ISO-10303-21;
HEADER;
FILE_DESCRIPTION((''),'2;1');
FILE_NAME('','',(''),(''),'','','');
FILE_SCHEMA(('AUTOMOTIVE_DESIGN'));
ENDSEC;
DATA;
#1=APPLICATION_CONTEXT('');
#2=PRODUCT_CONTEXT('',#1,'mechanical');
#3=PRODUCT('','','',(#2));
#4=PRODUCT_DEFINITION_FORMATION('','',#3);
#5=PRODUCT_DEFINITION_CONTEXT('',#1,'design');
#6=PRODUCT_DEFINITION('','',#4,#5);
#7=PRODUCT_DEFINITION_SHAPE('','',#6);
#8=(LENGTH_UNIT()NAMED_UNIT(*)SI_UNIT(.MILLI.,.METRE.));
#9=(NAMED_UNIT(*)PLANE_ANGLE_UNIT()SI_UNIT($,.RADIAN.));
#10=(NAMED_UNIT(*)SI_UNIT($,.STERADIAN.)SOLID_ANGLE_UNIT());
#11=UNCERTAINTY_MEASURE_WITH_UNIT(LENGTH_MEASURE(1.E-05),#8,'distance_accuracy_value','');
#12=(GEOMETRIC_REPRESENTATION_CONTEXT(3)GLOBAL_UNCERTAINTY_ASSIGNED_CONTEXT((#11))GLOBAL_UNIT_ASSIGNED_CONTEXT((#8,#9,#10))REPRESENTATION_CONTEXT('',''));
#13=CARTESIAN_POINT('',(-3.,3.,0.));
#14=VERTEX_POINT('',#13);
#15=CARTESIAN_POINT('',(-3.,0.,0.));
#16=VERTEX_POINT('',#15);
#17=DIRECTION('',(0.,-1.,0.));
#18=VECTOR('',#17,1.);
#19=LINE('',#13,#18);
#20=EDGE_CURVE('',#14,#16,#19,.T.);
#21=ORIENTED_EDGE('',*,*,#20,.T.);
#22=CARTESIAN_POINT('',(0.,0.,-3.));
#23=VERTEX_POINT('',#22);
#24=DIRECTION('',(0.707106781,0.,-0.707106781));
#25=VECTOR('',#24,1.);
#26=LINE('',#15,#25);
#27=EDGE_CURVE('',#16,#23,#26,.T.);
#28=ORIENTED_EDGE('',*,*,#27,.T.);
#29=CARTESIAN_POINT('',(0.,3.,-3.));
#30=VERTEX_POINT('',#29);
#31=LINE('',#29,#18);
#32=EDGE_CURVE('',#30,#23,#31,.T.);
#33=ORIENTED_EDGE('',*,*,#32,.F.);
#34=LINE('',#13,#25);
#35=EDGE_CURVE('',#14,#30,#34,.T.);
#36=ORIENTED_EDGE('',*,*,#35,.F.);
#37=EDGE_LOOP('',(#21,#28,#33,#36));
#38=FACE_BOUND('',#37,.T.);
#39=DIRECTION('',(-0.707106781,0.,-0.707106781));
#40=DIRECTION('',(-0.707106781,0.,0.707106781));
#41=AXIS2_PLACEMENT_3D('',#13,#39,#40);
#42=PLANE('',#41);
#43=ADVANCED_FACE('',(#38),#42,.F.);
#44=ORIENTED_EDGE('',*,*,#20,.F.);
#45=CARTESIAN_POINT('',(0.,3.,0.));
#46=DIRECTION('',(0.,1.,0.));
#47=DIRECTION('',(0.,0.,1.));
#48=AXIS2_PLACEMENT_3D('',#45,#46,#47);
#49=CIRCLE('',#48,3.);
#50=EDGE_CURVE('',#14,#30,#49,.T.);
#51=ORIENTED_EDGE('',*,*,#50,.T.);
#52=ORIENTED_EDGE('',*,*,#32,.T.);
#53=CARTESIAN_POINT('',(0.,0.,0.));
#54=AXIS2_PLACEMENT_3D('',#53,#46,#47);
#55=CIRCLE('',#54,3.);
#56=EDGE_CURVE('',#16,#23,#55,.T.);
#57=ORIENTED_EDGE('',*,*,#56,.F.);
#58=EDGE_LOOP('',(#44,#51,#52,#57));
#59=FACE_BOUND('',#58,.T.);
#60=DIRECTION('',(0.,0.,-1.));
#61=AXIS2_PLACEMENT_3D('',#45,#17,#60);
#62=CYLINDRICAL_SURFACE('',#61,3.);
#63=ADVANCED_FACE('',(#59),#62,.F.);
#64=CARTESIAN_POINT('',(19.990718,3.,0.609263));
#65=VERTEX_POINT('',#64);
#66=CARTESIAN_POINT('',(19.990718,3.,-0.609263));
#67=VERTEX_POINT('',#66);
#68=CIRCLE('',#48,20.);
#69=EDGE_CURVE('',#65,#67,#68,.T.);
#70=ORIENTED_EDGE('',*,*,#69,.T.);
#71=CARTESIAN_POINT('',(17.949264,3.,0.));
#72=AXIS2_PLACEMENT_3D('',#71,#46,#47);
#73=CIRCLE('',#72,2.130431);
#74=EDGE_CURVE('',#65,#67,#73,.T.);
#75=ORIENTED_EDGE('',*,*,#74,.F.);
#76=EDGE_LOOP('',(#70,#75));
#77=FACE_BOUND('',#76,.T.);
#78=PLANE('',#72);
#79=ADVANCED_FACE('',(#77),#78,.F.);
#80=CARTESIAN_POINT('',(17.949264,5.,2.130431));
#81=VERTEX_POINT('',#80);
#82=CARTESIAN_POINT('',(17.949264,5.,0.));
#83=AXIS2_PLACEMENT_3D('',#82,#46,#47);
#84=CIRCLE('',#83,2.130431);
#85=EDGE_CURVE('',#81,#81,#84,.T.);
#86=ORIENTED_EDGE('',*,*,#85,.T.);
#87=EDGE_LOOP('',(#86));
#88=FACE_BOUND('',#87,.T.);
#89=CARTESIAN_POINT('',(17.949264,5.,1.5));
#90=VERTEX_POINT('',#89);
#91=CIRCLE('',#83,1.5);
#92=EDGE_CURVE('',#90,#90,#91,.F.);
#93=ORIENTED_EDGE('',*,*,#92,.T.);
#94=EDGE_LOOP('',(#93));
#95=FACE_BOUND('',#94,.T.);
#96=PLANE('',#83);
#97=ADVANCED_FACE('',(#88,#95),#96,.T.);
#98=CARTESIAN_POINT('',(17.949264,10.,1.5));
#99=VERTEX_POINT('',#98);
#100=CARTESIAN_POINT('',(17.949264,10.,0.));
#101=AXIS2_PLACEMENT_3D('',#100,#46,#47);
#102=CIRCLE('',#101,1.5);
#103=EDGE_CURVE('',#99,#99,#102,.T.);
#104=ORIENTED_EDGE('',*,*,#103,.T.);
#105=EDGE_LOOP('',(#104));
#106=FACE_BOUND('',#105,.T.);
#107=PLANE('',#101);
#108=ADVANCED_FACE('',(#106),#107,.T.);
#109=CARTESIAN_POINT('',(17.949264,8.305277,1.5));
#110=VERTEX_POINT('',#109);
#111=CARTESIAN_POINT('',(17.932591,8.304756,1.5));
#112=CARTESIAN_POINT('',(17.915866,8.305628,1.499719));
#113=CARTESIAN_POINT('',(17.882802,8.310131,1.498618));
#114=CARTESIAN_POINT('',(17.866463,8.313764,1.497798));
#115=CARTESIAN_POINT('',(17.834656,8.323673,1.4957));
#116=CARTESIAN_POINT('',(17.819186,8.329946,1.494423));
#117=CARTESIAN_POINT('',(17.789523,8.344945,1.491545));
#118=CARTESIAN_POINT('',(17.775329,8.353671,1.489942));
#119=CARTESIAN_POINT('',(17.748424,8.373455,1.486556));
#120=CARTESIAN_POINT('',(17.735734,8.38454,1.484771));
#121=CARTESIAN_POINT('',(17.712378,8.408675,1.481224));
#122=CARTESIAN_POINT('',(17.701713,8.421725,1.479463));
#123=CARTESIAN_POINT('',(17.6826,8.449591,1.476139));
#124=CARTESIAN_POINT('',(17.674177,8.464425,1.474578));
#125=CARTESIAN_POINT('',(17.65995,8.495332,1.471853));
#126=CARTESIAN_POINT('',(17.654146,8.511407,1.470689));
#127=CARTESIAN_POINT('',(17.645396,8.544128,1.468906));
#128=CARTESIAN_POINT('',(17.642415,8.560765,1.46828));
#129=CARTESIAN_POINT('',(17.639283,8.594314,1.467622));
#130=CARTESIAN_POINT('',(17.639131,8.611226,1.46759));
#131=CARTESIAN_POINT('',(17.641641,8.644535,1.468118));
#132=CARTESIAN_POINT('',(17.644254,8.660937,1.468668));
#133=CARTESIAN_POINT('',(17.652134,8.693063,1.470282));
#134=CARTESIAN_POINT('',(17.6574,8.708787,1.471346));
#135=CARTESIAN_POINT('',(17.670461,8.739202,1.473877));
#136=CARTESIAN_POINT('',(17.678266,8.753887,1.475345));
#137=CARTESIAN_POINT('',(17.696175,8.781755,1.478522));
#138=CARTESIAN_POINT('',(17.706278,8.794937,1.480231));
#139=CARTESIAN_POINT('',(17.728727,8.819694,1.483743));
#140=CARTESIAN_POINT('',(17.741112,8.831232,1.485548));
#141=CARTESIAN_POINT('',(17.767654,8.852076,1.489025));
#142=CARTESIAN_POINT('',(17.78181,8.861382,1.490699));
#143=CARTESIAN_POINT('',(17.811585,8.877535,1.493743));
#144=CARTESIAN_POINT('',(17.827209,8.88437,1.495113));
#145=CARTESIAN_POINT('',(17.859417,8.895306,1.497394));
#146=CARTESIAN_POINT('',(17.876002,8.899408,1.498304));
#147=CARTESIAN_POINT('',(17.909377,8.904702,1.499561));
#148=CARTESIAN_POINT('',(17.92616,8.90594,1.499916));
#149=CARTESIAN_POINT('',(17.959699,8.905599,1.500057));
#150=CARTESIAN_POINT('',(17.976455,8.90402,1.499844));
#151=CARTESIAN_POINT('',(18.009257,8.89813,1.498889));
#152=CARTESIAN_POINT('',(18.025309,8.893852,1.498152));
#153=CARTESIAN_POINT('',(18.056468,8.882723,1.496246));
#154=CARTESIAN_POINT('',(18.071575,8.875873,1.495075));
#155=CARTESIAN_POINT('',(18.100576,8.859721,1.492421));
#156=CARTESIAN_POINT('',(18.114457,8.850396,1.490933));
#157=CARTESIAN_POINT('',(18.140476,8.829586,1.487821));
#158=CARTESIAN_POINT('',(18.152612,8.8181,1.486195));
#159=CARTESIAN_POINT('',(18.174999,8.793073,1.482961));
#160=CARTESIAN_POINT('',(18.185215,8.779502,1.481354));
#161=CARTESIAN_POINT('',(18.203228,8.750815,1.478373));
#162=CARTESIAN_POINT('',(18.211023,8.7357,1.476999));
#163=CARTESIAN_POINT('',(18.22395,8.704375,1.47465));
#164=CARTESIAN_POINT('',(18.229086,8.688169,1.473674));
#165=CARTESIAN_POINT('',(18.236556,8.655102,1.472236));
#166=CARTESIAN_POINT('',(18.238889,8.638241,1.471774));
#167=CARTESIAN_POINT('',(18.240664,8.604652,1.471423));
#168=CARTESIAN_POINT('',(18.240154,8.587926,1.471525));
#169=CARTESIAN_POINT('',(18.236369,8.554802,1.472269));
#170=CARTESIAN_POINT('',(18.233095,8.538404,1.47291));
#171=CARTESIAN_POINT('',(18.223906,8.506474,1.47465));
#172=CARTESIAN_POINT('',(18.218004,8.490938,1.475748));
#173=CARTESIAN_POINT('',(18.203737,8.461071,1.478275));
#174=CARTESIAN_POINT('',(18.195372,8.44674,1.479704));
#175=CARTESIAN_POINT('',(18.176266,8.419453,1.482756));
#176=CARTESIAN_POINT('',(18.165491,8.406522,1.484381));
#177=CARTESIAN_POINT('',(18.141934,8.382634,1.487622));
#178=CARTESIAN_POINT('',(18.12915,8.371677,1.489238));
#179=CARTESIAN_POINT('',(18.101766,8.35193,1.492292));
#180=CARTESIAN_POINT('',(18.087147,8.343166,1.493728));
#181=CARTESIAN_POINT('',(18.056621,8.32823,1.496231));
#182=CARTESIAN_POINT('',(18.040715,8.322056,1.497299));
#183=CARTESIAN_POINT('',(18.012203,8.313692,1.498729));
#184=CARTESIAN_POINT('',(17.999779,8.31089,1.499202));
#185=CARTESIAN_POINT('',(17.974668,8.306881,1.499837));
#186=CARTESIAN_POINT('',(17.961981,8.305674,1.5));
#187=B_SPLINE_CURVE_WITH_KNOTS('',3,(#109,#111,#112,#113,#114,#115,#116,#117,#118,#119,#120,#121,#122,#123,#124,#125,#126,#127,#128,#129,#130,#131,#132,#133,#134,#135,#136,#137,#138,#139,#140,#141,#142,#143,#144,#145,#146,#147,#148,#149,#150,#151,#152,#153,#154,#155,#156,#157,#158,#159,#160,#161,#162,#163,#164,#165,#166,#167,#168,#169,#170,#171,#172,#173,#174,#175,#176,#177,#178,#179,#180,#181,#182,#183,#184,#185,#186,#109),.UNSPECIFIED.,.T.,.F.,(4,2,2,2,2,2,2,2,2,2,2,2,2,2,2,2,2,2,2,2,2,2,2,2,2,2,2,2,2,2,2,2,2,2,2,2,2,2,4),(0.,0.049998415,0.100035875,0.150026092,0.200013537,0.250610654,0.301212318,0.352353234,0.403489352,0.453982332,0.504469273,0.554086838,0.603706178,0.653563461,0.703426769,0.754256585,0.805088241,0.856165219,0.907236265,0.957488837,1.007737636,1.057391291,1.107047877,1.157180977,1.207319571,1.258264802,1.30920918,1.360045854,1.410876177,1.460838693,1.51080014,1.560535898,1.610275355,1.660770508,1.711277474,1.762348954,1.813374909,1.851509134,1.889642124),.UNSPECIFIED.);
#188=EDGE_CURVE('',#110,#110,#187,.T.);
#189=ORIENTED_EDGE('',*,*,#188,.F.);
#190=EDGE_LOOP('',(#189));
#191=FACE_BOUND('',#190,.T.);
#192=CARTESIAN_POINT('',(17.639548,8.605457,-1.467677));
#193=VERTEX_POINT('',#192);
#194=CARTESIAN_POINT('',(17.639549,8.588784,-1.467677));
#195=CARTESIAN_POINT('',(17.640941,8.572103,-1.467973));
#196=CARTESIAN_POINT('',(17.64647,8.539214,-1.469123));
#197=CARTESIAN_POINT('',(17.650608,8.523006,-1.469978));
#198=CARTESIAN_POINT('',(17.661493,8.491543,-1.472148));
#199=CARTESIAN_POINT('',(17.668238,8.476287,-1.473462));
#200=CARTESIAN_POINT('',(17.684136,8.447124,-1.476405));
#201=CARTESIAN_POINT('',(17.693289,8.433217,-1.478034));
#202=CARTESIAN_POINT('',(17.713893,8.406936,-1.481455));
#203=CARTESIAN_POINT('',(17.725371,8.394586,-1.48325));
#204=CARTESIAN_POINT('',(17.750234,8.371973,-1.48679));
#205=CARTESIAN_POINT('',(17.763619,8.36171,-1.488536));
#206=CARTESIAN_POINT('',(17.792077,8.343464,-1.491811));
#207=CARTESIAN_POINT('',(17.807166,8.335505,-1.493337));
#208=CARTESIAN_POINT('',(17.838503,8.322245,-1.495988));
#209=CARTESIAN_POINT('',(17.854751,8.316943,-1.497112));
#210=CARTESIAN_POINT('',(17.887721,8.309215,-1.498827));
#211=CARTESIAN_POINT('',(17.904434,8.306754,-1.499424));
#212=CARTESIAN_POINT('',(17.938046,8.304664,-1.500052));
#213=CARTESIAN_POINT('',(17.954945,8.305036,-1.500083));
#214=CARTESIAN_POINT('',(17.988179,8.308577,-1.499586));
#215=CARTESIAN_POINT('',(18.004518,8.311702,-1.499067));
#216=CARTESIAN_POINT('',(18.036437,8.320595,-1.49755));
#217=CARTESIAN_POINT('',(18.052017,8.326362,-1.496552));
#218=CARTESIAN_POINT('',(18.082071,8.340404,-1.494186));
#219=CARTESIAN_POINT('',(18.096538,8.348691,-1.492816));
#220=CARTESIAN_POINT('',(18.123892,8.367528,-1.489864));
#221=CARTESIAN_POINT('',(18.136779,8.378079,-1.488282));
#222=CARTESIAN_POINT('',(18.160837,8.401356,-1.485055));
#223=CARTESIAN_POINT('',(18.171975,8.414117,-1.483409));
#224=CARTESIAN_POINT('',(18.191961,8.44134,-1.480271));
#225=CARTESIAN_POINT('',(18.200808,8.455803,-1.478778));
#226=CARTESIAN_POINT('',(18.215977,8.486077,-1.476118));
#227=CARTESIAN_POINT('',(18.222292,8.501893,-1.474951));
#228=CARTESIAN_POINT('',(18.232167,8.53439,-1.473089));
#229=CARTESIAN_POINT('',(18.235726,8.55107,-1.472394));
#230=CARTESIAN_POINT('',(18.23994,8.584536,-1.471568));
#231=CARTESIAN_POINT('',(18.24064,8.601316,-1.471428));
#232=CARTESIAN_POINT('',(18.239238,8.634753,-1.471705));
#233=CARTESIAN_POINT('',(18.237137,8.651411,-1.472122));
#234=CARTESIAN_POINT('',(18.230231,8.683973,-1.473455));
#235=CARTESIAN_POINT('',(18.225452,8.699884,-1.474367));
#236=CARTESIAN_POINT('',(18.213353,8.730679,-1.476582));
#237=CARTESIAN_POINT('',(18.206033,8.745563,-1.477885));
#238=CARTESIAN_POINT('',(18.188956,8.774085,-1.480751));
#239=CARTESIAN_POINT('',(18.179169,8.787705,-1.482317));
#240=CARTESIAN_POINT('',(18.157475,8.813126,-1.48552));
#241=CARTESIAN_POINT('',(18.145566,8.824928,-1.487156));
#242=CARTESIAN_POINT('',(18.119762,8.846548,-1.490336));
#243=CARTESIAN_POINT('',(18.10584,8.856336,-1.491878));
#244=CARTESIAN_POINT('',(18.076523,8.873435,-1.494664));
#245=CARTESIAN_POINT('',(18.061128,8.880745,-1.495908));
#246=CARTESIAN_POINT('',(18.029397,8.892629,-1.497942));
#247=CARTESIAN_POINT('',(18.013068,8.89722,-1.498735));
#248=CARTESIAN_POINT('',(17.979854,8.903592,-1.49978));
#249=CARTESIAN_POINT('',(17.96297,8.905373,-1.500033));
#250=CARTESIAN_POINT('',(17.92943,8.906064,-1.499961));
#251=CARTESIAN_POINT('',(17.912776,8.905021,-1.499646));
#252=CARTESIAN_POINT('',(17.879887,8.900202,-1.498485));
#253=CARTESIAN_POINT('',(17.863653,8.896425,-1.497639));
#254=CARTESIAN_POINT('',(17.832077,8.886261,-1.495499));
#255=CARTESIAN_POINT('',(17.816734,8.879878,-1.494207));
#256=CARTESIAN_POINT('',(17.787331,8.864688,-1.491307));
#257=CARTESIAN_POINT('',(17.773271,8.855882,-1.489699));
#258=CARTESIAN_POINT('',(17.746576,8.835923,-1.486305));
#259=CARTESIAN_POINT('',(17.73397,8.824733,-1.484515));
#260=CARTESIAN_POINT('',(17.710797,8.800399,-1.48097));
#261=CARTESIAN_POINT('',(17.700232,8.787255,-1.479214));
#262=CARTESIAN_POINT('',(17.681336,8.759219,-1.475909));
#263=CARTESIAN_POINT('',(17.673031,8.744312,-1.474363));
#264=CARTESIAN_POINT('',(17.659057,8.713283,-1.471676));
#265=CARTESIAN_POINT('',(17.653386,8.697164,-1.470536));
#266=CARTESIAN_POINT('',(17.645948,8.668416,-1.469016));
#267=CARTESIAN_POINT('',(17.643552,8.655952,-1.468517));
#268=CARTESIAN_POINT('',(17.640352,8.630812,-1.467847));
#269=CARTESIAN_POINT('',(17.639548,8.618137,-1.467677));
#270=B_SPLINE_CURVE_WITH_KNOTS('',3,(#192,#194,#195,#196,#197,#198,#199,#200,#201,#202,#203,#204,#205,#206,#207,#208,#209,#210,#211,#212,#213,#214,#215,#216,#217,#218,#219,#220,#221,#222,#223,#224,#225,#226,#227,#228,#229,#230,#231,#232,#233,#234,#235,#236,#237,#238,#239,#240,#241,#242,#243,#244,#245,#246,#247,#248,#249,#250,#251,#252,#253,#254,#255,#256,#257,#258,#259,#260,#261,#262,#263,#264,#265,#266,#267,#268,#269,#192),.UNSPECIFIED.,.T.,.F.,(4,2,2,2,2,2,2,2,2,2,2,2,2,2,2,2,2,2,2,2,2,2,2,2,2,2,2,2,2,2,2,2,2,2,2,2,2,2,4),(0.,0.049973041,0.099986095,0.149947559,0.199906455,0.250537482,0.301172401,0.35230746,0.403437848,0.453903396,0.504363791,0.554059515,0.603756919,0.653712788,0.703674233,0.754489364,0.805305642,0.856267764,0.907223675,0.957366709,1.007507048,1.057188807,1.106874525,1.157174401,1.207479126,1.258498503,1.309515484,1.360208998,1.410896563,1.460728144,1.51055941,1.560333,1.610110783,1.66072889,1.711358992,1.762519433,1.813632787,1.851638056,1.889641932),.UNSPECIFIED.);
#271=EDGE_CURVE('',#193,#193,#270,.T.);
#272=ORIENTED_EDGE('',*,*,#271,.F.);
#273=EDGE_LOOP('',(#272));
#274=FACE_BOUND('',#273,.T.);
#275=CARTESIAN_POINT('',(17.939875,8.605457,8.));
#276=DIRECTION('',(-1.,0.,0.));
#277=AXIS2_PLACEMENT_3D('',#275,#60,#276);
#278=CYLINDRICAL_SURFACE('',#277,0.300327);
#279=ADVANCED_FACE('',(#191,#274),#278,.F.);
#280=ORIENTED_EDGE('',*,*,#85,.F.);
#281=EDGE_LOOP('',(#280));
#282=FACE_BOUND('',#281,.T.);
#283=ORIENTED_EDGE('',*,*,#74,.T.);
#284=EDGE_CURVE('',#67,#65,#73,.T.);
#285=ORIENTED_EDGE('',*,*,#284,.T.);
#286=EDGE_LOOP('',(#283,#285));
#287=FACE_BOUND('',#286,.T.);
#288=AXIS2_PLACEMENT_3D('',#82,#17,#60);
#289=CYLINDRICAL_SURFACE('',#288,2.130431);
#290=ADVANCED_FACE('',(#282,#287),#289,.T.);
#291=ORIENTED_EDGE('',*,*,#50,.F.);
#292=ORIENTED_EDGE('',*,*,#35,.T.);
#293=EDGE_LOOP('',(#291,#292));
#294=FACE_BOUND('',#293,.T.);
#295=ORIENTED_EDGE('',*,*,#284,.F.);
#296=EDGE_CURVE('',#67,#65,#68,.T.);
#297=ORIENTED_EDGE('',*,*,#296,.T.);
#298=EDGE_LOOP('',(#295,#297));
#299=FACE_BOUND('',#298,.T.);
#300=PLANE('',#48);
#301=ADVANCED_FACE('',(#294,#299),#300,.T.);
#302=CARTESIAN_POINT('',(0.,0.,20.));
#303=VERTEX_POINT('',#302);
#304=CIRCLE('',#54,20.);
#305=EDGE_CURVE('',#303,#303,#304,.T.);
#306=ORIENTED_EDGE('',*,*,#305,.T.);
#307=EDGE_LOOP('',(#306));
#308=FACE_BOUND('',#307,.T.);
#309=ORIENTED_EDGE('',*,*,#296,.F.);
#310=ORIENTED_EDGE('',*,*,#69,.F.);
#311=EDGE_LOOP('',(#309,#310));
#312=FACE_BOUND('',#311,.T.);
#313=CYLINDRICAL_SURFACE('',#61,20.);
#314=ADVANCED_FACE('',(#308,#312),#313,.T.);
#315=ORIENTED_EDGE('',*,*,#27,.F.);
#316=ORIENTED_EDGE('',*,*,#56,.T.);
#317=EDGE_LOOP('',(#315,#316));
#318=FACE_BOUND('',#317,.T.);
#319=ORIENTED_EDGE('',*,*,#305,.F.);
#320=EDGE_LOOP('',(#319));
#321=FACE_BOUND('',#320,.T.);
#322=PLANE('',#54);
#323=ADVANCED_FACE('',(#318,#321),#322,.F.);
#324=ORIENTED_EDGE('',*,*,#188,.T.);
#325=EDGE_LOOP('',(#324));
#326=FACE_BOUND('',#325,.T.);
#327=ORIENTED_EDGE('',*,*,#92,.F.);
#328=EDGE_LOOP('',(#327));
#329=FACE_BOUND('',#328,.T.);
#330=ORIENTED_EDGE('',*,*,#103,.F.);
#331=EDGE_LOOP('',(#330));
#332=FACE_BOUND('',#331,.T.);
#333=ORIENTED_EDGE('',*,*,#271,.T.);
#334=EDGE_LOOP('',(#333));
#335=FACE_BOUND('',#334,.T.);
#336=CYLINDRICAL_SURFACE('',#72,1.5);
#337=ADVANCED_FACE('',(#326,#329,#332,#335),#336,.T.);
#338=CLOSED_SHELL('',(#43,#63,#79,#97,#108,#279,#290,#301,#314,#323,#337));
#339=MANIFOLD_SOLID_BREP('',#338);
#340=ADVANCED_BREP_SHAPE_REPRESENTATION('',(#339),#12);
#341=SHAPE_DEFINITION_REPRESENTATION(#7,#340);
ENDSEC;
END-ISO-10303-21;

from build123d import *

# Parameters (mm, degrees)
SKETCH2_R               = 20
SKETCH2_R_2             = 3
BOSS_EXTRUDE1_DEPTH     = 3
BOSS_EXTRUDE2_START     = 3
SKETCH5_R               = 1.5
BOSS_EXTRUDE2_DEPTH     = 7
CUT_EXTRUDE1_DEPTH      = 8
CUT_EXTRUDE1_DEPTH_BACK = 8
SKETCH6_R               = 0.300327284
BOSS_EXTRUDE3_DEPTH     = 3
SKETCH8_R               = 2.130430509
BOSS_EXTRUDE4_DEPTH     = 2


with BuildPart() as part:
    # Sketch2 → Boss-Extrude1 (new body)
    with BuildSketch(Plane(origin=(0, 0, 0), x_dir=(1, 0, 0), z_dir=(0, 1, 0))):
        with Locations(Location((0, 0, 0), (0, 0, 270))):
            Circle(SKETCH2_R)
        with Locations(Location((0, 0, 0), (0, 0, 270))):
            Circle(SKETCH2_R_2, mode=Mode.SUBTRACT)
    extrude(amount=BOSS_EXTRUDE1_DEPTH)

    # Sketch5 → Boss-Extrude2 (add)
    with BuildSketch(Plane(origin=(0, 0, 0), x_dir=(1, 0, 0), z_dir=(0, 1, 0)).offset(BOSS_EXTRUDE2_START)):
        with Locations(Location((17.949264284, 0, 0), (0, 0, 270))):
            Circle(SKETCH5_R)
    extrude(amount=BOSS_EXTRUDE2_DEPTH)

    # Sketch6 → Cut-Extrude1 (cut, two sides: drawn at the far end of the back side and taken through both)
    with BuildSketch(Plane.XY.offset(-CUT_EXTRUDE1_DEPTH_BACK)):
        with Locations(Location((17.939875417, 8.605457477, 0), (0, 0, 180))):
            Circle(SKETCH6_R)
    extrude(amount=CUT_EXTRUDE1_DEPTH + CUT_EXTRUDE1_DEPTH_BACK, mode=Mode.SUBTRACT)

    # Sketch7 → Boss-Extrude3 (add)
    with BuildSketch(Plane(origin=(0, 0, 0), x_dir=(1, 0, 0), z_dir=(0, 1, 0))):
        with BuildLine():
            Line((-3, 0), (0, 3))
            ThreePointArc((0, 3), (-2.121320344, 2.121320344), (-3, 0))
        make_face()
    extrude(amount=BOSS_EXTRUDE3_DEPTH)

    # Sketch8 → Boss-Extrude4 (add)
    with BuildSketch(Plane(origin=(0, 3, 0), x_dir=(1, 0, 0), z_dir=(0, 1, 0))):
        with Locations(Location((17.949264284, 0, 0), (0, 0, 16.617512863))):
            Circle(SKETCH8_R)
    extrude(amount=BOSS_EXTRUDE4_DEPTH)


solid = part.part
